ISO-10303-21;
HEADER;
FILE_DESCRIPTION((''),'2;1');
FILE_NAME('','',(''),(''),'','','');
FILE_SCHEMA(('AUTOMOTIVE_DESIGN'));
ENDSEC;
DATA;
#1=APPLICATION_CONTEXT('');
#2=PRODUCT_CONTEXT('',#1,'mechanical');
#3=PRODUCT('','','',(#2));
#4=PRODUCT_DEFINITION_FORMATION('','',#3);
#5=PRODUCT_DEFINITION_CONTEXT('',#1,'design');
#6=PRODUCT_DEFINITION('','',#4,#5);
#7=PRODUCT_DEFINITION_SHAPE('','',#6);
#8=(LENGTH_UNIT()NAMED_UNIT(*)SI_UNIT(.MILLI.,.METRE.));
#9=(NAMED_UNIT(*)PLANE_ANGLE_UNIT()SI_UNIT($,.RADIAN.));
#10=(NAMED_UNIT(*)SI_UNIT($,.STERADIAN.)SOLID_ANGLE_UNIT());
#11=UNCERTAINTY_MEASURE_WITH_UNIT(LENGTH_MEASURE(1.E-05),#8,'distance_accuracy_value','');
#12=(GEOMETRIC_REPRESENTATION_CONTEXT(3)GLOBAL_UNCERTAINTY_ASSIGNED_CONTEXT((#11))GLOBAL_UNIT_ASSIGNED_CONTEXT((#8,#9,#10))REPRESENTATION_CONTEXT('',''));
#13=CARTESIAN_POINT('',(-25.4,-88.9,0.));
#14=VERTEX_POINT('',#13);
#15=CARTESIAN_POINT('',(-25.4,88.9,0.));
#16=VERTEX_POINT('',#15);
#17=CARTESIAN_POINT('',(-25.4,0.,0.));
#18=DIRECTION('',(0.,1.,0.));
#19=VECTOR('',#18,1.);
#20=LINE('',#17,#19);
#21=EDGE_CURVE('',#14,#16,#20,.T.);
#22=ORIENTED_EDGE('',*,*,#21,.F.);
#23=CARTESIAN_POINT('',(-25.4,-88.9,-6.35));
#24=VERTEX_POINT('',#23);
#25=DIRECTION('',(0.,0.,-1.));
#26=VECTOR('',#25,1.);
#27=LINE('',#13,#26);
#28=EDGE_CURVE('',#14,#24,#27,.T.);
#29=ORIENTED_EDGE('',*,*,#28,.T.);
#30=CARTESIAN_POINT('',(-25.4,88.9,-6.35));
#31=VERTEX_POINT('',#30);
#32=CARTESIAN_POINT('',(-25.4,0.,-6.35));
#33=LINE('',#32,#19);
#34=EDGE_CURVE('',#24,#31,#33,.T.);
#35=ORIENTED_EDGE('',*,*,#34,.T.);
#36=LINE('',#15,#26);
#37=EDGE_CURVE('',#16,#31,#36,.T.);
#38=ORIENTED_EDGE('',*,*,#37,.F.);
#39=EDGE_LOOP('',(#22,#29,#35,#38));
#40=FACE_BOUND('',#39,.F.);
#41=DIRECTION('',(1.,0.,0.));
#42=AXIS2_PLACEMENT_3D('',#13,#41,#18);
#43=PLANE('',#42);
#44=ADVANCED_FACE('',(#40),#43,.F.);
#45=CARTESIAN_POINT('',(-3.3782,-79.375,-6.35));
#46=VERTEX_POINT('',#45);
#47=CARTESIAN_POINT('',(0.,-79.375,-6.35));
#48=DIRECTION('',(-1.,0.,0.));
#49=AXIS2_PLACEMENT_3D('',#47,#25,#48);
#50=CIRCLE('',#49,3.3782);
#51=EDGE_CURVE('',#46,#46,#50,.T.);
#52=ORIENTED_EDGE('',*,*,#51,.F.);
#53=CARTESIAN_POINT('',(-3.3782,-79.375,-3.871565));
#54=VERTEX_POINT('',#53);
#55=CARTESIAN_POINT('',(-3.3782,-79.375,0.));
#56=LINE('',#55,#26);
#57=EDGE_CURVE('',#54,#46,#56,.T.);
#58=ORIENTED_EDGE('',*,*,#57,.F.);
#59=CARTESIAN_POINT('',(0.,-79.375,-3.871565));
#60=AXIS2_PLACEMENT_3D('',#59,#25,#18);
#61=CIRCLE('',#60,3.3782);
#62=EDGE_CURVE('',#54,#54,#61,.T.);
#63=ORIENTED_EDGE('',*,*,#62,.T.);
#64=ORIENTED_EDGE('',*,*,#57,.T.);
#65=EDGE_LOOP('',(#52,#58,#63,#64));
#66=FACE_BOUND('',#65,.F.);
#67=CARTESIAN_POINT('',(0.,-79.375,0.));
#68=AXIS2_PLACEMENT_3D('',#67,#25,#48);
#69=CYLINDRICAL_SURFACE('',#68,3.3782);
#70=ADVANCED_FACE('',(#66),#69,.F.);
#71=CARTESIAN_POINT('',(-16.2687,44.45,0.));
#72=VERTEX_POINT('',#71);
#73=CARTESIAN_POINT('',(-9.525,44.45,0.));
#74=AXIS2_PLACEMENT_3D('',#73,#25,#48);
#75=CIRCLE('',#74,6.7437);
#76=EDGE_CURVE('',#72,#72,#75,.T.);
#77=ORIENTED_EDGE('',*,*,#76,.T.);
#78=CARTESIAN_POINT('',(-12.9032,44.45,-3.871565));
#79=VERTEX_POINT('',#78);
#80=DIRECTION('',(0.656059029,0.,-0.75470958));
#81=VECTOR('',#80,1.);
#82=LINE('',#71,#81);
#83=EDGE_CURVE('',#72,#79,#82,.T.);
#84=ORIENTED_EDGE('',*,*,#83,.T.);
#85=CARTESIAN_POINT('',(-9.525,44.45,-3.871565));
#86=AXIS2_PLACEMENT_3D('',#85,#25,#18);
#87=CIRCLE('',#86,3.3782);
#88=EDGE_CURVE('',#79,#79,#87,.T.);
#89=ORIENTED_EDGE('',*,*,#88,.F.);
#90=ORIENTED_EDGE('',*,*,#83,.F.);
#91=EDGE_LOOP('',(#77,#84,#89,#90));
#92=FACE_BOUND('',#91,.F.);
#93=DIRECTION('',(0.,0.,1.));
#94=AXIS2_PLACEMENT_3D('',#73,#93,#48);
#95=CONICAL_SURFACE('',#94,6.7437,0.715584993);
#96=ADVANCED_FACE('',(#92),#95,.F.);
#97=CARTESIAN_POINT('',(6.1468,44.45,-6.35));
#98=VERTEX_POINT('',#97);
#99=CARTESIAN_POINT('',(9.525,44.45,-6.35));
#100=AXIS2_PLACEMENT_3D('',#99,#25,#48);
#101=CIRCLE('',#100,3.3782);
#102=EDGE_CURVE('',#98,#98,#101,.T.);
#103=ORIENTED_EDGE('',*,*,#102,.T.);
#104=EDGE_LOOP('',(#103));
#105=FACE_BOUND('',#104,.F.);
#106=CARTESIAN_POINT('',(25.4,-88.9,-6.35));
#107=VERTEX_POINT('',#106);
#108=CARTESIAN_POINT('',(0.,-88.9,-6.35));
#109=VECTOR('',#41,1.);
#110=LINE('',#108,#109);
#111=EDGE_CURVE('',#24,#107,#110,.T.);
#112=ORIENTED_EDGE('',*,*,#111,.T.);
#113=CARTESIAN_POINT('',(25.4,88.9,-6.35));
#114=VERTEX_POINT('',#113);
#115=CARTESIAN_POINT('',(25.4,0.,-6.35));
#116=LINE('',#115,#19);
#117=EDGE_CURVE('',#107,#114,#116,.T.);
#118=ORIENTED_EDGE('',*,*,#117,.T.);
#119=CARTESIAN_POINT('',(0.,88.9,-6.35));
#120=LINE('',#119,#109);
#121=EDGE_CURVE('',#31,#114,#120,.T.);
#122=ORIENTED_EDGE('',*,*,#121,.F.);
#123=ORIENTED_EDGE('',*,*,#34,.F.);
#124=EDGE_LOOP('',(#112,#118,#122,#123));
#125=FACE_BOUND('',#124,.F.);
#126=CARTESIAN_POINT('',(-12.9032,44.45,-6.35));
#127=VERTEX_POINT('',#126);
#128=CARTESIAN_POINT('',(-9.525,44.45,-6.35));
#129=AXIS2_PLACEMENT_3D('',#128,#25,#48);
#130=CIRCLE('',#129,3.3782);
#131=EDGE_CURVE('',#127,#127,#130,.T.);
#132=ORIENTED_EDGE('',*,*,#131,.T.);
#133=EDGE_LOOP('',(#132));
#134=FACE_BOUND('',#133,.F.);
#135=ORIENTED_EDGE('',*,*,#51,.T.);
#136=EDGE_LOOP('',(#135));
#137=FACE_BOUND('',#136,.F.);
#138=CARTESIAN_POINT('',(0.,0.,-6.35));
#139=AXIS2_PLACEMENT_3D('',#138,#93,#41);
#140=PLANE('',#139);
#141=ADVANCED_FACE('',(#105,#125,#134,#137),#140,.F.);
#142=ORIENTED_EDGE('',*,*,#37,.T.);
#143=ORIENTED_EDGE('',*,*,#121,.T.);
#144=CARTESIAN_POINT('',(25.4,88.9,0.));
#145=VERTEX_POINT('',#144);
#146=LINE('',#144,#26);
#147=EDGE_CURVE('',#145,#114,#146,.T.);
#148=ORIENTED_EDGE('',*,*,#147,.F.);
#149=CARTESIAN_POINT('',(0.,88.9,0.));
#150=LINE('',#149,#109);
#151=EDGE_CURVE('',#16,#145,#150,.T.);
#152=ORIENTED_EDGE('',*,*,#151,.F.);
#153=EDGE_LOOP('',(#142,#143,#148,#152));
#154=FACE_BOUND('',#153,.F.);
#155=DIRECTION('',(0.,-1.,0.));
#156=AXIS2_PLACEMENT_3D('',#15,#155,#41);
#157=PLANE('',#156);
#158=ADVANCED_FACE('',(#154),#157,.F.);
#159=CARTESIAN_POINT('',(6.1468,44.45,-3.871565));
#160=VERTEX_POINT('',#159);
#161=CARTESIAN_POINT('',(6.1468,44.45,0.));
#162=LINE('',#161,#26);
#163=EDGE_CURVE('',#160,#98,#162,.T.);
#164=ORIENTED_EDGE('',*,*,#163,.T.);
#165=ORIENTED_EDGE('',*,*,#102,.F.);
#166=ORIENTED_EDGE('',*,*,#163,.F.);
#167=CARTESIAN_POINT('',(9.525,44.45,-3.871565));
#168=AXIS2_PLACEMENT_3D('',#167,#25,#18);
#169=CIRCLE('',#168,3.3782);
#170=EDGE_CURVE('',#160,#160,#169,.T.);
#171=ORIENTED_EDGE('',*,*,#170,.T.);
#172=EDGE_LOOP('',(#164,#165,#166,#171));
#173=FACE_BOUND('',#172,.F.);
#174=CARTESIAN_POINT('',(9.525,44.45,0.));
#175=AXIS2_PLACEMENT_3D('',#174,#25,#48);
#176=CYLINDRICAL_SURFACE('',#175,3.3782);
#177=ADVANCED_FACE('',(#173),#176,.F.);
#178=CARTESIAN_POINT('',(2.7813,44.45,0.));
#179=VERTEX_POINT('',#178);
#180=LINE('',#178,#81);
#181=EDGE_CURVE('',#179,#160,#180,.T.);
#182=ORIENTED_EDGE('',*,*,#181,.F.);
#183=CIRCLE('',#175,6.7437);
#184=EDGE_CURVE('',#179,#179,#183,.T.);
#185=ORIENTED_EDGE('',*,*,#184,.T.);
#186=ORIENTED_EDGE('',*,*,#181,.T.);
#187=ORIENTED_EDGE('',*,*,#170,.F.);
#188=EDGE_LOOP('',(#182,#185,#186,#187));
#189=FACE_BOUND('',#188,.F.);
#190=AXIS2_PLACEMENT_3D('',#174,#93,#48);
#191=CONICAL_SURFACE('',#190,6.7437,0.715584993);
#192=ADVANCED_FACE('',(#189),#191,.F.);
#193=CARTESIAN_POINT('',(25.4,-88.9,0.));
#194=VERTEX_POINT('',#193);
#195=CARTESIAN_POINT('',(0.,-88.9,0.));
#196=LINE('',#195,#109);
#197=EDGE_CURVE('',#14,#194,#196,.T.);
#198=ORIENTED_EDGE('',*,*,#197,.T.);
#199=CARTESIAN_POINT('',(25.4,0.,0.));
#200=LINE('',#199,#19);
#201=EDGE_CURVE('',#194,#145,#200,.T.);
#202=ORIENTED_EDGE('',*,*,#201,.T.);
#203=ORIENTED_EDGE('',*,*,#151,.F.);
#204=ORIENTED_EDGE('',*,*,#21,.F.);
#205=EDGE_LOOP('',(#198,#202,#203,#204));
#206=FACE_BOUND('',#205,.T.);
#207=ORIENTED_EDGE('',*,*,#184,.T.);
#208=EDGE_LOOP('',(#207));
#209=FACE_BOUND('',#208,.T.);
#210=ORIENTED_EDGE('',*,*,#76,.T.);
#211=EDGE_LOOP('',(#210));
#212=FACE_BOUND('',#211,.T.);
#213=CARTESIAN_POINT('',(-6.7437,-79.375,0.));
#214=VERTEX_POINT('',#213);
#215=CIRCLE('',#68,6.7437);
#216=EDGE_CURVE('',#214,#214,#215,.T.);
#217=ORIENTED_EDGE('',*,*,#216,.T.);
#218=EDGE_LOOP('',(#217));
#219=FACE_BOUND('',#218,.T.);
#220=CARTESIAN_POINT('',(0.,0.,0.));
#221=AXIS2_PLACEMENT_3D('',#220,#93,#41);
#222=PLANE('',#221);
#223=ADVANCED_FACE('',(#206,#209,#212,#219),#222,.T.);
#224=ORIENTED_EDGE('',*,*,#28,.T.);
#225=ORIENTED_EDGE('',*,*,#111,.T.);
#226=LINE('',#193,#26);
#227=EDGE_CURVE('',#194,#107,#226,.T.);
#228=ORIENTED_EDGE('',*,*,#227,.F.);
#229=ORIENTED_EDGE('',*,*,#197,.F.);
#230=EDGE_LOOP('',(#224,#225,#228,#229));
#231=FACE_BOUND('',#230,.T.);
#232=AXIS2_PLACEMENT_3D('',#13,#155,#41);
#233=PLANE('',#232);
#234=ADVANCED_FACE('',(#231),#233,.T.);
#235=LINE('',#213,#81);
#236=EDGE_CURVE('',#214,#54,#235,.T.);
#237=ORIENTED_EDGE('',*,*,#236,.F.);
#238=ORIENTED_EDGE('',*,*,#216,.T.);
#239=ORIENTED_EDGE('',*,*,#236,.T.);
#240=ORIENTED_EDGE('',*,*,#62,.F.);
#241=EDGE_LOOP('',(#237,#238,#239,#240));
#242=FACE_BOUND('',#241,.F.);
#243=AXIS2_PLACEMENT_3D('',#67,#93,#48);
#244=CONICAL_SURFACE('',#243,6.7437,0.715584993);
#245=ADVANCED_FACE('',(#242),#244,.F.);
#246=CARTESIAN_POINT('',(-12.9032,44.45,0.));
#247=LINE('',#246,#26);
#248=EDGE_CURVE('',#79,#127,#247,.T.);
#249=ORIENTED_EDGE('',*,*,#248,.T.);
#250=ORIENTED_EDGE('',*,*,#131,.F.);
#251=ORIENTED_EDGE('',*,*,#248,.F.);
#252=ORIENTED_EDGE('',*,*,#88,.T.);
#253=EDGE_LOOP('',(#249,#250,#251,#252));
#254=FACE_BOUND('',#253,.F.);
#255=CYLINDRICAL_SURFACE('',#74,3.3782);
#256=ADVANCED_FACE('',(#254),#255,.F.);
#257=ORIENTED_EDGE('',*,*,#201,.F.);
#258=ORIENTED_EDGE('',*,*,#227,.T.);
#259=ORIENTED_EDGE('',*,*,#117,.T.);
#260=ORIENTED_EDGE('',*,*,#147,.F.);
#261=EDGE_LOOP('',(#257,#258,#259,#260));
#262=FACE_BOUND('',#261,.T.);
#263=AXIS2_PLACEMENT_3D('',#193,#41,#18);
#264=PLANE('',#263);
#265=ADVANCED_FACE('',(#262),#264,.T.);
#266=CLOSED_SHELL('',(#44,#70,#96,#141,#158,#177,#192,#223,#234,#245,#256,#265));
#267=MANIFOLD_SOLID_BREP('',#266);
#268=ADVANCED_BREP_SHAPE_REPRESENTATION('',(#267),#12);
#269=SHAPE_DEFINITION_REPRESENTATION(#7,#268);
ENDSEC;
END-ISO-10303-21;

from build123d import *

# Parameters (mm, degrees)
F0_W           = 50.8
F0_H           = 177.8
F0_R           = 3.571875
F1_DEPTH       = 6.35
F2_D           = 6.7564
F2_CSINK_D     = 13.4874
F2_CSINK_ANGLE = 82


with BuildPart() as f1:
    # F0 (on Top) → F1 (new body)
    with BuildSketch(Plane.XY):
        Rectangle(F0_W, F0_H)
        with Locations((0, -79.375)):
            Circle(F0_R, mode=Mode.SUBTRACT)
        with Locations((-9.525, 44.45)):
            Circle(F0_R, mode=Mode.SUBTRACT)
        with Locations((9.525, 44.45)):
            Circle(F0_R, mode=Mode.SUBTRACT)
        with Locations((-9.525, 44.45)):
            Circle(F0_R)
        with Locations((9.525, 44.45)):
            Circle(F0_R)
        with Locations((0, -79.375)):
            Circle(F0_R)
    extrude(amount=-F1_DEPTH)

    # F2 (through all)
    with Locations(Plane.XY):
        with Locations((-9.525, 44.45), (9.525, 44.45), (0, -79.375)):
            CounterSinkHole(F2_D / 2, F2_CSINK_D / 2, counter_sink_angle=F2_CSINK_ANGLE)


solid = f1.part
